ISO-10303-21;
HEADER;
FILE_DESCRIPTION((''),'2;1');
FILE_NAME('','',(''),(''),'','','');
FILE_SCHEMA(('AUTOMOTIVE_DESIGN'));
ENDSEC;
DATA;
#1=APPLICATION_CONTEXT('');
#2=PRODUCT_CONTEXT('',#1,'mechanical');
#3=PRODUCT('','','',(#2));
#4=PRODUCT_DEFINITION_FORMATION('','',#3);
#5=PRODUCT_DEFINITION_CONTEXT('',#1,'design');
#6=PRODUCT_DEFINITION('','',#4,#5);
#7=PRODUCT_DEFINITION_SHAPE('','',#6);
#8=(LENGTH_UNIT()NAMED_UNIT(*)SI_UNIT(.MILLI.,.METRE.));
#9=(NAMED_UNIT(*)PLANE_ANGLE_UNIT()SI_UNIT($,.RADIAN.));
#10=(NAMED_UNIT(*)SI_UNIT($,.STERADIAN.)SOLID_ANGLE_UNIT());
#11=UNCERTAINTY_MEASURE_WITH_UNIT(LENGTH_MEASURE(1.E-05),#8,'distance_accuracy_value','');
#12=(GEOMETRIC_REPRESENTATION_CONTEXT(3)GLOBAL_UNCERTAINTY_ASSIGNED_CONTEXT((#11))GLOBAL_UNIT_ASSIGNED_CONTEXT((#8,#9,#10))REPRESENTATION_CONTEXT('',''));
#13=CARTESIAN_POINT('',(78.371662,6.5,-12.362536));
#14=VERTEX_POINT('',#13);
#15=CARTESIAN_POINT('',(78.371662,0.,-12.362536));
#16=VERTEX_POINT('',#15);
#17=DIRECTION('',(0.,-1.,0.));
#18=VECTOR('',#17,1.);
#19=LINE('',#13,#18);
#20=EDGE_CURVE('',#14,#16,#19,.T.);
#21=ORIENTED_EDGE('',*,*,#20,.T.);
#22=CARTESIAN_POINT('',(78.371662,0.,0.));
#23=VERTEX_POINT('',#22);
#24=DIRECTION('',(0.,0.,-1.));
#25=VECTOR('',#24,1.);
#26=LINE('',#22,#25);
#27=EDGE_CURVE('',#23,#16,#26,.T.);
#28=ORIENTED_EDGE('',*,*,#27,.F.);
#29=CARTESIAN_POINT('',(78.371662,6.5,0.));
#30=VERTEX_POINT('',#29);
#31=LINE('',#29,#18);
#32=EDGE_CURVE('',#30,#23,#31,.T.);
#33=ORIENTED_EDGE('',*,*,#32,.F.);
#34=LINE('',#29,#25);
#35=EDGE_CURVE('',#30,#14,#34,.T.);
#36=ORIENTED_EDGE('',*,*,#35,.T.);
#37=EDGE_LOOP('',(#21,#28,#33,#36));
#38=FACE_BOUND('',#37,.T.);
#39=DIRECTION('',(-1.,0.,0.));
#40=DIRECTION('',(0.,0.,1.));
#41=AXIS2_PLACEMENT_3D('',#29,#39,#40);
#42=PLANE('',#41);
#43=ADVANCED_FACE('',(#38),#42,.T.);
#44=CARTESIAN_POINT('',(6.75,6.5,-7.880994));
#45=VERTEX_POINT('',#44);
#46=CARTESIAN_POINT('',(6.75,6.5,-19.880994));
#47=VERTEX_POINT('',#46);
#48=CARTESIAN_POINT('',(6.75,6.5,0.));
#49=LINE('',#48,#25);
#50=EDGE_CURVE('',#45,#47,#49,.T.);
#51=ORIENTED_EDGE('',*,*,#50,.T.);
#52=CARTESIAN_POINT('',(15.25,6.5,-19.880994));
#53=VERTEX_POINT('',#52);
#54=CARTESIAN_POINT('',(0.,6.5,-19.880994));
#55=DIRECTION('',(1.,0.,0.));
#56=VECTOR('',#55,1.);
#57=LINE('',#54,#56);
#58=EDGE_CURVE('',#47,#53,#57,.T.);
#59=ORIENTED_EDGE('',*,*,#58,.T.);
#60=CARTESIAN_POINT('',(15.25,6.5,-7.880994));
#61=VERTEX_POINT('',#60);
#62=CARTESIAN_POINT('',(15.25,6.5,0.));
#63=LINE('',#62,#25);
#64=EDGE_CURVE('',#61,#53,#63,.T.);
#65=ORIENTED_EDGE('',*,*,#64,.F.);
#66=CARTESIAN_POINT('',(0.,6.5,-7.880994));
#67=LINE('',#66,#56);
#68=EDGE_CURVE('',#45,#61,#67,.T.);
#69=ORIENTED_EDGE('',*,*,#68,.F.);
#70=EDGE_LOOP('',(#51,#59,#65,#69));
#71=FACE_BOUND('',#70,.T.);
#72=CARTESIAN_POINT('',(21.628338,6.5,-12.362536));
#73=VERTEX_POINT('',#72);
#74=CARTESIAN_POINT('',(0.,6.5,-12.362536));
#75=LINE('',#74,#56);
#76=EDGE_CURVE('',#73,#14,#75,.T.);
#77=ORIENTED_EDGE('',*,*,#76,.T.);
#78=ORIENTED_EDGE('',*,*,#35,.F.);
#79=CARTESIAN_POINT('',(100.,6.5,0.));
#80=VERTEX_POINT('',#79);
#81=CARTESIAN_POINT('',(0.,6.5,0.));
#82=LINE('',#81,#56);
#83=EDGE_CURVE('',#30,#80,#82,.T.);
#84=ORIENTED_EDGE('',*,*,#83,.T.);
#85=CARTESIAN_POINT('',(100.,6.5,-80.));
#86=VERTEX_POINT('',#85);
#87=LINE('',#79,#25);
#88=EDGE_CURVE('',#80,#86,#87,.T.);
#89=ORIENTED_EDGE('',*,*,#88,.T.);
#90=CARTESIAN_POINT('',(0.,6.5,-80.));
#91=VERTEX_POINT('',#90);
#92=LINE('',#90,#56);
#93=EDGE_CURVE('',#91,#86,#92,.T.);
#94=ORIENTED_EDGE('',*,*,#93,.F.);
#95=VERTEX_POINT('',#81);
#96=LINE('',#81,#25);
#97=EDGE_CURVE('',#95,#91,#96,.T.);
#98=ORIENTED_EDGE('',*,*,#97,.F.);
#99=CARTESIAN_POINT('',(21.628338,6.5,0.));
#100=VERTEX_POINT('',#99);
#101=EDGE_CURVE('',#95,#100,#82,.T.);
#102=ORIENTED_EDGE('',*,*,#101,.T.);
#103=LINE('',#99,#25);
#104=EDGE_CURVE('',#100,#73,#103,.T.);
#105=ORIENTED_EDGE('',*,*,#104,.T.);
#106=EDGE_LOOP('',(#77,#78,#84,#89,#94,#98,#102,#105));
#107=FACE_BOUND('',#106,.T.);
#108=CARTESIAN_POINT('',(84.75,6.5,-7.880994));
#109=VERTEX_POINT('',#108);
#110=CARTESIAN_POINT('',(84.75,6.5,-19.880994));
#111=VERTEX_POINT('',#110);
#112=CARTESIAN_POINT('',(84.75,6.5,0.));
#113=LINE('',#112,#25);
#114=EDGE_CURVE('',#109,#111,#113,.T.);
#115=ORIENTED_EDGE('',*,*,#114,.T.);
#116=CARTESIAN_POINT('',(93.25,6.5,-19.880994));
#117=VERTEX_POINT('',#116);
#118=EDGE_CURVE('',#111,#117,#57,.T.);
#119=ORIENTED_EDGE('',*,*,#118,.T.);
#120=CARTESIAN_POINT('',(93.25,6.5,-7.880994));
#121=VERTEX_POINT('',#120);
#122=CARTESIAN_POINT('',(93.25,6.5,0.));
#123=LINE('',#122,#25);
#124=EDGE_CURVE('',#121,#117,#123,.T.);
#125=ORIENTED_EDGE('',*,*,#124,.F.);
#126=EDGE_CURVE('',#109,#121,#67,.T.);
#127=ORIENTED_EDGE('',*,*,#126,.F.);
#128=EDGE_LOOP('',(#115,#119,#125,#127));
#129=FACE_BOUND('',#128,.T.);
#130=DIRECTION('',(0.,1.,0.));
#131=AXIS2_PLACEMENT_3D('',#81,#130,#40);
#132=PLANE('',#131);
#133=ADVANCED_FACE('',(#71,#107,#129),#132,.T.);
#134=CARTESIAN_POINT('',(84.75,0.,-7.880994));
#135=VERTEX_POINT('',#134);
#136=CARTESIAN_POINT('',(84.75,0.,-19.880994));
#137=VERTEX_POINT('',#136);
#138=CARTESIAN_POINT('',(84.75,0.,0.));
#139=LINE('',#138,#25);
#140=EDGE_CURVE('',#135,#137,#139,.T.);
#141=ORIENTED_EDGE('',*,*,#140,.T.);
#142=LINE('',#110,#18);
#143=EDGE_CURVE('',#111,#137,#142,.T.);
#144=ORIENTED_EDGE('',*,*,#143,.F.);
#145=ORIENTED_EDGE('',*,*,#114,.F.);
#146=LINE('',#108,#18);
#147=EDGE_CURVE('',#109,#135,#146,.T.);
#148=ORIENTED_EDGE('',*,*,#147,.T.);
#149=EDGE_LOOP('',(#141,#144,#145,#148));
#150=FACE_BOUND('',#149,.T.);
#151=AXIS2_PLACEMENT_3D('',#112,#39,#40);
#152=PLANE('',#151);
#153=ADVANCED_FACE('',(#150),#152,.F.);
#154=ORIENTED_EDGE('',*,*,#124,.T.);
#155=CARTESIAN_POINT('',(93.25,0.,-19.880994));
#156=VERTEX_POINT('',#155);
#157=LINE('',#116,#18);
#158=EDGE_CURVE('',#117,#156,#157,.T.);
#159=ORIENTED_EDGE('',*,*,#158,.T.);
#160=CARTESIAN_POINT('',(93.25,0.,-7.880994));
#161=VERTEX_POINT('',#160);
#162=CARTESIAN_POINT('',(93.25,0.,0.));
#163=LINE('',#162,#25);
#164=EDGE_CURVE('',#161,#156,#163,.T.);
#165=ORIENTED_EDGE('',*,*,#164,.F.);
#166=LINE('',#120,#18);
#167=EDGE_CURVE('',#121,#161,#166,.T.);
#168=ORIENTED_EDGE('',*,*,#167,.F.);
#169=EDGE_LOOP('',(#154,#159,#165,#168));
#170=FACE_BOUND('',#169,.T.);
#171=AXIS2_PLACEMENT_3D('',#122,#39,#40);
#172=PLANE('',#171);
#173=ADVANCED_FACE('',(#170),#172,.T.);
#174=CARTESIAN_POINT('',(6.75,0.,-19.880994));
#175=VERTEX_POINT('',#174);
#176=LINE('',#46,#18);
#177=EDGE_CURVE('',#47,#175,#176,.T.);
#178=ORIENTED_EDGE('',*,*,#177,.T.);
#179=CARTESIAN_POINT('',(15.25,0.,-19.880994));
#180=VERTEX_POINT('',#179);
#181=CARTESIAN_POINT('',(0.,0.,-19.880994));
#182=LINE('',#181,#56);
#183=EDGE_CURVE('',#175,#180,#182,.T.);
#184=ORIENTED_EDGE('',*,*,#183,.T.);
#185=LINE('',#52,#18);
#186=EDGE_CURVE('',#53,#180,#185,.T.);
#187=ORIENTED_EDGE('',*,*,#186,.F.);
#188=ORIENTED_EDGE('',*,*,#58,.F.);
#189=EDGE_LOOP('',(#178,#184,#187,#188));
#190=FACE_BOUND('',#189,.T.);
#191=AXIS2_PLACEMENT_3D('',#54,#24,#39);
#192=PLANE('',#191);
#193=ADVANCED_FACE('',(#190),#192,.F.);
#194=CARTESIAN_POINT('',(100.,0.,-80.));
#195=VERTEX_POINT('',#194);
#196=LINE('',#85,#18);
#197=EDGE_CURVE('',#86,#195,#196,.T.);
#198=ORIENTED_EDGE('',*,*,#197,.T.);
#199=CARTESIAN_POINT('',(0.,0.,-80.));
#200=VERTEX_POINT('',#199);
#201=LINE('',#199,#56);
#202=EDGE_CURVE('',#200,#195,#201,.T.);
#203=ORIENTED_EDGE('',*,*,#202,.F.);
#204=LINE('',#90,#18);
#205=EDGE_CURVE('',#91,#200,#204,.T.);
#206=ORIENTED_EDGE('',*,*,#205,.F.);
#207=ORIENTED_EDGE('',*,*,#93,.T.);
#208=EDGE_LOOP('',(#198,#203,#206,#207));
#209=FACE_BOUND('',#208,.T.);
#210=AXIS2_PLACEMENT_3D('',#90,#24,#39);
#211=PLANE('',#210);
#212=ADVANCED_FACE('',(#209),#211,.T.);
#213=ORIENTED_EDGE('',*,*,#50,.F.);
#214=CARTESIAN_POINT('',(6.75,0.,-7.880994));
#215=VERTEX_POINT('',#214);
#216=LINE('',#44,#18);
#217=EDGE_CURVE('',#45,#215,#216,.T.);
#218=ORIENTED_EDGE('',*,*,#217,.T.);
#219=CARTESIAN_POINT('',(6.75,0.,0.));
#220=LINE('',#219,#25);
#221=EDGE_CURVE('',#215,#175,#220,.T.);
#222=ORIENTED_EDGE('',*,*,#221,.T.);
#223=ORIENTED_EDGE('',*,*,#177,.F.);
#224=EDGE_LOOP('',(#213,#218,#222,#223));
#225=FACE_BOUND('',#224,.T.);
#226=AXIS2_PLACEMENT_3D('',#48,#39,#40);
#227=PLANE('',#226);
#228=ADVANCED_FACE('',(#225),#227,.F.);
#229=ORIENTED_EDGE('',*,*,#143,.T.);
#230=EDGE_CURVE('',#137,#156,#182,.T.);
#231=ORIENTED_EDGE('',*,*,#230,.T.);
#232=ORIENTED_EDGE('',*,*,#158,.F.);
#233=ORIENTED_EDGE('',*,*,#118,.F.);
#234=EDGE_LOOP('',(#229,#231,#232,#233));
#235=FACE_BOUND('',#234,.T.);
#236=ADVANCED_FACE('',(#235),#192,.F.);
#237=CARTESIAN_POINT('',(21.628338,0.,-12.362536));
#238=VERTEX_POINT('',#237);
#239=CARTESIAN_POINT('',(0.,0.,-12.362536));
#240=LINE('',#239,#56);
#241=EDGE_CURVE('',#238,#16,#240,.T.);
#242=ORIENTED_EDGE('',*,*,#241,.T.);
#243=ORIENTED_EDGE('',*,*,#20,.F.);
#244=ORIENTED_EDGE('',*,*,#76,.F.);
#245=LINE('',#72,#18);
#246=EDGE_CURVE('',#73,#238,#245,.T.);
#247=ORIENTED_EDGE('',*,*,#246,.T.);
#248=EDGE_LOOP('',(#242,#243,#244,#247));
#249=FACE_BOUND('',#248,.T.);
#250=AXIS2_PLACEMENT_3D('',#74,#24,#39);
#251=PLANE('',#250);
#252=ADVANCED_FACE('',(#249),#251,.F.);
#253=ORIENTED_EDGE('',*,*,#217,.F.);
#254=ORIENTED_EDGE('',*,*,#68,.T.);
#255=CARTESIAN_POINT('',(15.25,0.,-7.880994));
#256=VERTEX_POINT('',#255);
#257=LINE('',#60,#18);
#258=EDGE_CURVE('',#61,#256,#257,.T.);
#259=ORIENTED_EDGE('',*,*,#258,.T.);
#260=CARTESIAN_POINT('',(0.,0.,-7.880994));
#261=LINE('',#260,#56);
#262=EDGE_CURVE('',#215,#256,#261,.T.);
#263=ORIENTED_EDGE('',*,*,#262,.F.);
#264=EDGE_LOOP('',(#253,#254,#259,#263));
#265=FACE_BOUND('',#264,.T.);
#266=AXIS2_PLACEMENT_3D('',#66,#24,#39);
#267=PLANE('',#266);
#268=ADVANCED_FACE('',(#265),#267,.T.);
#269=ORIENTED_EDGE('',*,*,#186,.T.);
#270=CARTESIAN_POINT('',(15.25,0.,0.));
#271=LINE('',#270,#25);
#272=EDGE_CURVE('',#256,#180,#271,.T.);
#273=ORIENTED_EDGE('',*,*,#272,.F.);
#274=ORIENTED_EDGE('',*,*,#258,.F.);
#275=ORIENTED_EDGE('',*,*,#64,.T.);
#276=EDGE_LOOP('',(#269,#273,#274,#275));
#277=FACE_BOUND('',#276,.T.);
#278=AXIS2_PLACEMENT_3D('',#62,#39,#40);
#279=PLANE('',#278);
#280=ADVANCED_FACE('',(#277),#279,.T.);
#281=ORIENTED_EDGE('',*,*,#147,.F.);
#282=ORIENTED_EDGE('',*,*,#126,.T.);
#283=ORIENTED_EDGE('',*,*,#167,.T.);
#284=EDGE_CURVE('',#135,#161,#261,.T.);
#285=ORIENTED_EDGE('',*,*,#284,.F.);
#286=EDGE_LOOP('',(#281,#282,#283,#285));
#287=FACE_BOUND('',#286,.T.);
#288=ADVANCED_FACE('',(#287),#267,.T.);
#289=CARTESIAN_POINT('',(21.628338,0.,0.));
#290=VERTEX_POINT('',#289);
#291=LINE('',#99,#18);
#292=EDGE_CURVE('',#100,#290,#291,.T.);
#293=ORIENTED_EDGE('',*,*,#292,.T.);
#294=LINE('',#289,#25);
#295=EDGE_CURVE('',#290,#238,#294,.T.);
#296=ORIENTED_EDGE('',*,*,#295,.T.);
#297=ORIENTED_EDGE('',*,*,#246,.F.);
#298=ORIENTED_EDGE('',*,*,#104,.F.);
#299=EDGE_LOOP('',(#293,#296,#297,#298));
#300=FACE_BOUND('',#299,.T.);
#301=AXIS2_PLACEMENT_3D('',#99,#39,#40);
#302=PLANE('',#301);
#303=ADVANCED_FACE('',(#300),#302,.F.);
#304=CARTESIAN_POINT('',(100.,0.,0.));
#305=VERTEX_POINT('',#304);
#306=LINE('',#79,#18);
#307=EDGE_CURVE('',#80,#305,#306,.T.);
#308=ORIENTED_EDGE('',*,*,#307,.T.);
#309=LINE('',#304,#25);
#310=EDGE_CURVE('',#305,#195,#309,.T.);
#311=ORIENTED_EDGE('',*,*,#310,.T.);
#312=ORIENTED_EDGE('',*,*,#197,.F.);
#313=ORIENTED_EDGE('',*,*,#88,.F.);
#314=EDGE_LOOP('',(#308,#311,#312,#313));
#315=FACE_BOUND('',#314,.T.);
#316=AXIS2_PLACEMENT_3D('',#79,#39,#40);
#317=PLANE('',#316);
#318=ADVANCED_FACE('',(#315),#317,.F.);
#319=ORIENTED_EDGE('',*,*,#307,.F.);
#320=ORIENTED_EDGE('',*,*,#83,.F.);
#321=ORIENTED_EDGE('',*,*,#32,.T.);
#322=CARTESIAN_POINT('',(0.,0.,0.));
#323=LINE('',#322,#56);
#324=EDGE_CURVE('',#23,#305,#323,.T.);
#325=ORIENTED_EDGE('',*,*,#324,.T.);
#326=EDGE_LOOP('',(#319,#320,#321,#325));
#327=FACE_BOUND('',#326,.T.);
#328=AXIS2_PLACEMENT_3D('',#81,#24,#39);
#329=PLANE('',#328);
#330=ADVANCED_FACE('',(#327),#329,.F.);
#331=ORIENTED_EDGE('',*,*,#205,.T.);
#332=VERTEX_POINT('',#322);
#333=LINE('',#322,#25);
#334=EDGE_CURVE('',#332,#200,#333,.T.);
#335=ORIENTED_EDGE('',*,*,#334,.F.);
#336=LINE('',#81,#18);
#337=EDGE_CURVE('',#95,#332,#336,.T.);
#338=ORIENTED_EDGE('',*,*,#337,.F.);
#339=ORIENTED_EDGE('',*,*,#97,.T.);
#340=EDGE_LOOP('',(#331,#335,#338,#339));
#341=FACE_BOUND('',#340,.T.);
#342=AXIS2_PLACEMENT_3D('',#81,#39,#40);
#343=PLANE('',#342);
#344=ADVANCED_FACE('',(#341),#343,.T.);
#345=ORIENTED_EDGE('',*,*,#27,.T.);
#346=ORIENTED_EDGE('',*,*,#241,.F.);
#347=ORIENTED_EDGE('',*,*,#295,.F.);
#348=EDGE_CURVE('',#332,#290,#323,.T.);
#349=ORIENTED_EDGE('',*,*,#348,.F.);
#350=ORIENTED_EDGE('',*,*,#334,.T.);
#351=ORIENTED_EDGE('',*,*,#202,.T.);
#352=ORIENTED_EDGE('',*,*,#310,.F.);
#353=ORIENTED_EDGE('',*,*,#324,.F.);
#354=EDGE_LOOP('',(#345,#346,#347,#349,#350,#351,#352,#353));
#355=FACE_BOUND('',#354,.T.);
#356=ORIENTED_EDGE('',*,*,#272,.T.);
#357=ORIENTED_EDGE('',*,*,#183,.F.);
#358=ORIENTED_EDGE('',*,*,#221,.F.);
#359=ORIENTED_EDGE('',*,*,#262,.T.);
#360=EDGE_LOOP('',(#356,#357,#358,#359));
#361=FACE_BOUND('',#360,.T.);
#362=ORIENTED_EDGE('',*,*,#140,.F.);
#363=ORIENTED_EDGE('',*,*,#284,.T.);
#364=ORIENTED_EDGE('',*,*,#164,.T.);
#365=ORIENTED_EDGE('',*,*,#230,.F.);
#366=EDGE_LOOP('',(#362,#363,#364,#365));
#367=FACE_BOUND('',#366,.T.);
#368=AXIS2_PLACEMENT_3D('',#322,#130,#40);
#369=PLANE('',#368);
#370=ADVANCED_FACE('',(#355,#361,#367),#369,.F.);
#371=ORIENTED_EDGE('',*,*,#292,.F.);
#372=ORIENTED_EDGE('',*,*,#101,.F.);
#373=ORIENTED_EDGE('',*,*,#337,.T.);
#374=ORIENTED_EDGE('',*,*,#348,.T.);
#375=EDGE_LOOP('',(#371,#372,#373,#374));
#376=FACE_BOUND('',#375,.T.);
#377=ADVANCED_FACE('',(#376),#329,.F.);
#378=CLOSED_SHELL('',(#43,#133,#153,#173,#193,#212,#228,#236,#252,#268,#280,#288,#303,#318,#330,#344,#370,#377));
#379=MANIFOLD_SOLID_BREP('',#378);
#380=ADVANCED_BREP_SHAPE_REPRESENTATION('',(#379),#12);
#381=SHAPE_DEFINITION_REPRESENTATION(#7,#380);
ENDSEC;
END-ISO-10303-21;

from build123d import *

# Parameters (mm, degrees)
SKETCH1_W           = 8.5
SKETCH1_H           = 12
BOSS_EXTRUDE1_DEPTH = 6.5


with BuildPart() as part:
    # Sketch1 → Boss-Extrude1 (new body)
    with BuildSketch(Plane(origin=(0, 0, 0), x_dir=(1, 0, 0), z_dir=(0, 1, 0))):
        Polygon((0, 80), (0, 0), (21.628337583, 0), (21.628337583, 12.362535516), (78.371662417, 12.362535516), (78.371662417, 0), (100, 0), (100, 80), align=None)
        with Locations((11, 13.880993548)):
            Rectangle(SKETCH1_W, SKETCH1_H, mode=Mode.SUBTRACT)
        with Locations((89, 13.880993548)):
            Rectangle(SKETCH1_W, SKETCH1_H, mode=Mode.SUBTRACT)
    extrude(amount=BOSS_EXTRUDE1_DEPTH)


solid = part.part
